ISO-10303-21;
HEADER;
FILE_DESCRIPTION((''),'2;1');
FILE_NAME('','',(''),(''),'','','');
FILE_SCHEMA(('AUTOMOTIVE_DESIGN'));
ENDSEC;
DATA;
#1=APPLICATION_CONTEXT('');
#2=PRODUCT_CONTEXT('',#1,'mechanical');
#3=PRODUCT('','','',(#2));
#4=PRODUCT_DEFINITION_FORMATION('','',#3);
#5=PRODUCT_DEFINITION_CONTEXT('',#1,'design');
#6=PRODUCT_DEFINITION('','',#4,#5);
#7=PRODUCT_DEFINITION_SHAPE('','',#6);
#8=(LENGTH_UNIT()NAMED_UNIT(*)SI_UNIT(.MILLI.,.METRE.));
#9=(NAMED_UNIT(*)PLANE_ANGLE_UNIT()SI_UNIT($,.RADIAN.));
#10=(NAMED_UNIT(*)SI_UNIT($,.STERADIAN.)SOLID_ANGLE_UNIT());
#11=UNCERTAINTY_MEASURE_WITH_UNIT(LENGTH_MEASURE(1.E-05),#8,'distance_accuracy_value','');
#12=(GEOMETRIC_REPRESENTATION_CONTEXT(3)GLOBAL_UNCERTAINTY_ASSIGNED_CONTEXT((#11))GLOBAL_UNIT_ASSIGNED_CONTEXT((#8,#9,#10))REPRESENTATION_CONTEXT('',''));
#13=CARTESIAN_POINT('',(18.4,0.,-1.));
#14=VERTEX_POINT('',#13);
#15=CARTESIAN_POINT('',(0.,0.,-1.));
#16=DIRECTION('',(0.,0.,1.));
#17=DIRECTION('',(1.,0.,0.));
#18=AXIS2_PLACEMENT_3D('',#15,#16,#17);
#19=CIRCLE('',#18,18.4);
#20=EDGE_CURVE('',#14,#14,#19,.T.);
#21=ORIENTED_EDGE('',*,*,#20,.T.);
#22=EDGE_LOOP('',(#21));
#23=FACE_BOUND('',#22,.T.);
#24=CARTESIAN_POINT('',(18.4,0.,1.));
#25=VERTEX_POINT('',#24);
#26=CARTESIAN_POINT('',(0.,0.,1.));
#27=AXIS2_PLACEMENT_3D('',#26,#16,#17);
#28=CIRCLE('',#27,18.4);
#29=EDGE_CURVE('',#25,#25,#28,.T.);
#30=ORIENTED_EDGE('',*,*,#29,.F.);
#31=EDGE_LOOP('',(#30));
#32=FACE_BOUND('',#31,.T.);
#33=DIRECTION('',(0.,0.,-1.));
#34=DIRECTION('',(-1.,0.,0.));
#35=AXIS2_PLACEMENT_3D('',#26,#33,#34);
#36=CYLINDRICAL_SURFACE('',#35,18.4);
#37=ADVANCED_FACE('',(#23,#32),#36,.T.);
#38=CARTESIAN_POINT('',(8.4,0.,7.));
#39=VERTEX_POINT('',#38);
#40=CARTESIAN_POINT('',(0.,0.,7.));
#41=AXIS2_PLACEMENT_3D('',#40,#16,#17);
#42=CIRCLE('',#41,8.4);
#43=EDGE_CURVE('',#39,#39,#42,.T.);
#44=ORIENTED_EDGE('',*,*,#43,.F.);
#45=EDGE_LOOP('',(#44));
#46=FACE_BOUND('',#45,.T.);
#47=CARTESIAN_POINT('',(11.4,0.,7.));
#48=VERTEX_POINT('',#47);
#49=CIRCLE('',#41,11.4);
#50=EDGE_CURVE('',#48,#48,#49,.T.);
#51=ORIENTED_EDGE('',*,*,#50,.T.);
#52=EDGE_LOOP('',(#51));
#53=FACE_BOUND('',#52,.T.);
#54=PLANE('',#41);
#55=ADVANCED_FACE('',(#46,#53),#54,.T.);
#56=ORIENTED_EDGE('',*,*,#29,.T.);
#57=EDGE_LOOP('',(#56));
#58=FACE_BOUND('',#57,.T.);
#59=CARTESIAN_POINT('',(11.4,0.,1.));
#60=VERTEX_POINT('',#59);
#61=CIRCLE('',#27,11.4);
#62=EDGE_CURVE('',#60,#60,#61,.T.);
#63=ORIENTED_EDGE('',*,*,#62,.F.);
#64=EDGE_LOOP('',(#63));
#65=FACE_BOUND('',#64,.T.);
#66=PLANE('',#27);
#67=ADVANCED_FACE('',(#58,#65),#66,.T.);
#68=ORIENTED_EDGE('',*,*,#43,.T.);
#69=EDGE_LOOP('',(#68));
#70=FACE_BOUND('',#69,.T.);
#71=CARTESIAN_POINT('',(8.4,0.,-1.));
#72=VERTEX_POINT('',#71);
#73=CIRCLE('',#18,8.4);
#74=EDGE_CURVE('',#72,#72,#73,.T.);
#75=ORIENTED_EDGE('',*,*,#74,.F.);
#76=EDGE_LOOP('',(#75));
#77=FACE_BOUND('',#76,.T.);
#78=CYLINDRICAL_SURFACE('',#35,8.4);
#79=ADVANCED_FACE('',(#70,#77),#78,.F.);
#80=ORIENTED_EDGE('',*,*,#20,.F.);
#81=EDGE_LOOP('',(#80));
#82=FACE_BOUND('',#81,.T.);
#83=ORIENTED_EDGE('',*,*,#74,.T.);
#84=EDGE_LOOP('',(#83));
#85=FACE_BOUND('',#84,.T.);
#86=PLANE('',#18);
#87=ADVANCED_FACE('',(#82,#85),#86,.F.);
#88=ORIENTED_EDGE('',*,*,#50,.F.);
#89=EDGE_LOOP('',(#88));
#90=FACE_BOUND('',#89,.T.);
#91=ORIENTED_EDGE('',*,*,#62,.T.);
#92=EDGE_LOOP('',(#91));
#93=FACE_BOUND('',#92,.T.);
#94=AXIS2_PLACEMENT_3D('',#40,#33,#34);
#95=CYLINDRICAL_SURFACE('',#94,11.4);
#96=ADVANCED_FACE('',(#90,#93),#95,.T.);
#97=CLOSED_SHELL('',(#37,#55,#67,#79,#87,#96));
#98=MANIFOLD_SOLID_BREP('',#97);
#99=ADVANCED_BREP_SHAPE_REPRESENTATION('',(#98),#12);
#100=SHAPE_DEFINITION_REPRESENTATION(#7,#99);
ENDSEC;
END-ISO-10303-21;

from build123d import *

# Parameters (mm, degrees)
CROQUIS1_R              = 18.4
CROQUIS1_R_2            = 8.4
SALIENTE_EXTRUIR1_DEPTH = 1
CROQUIS2_R              = 11.4
CROQUIS2_R_2            = 8.4
SALIENTE_EXTRUIR2_DEPTH = 6


with BuildPart() as part:
    # Croquis1 → Saliente-Extruir1 (new, symmetric)
    with BuildSketch(Plane.XY):
        Circle(CROQUIS1_R)
        Circle(CROQUIS1_R_2, mode=Mode.SUBTRACT)
    extrude(amount=SALIENTE_EXTRUIR1_DEPTH, both=True)

    # Croquis2 → Saliente-Extruir2 (add)
    with BuildSketch(Plane.XY.offset(1)):
        Circle(CROQUIS2_R)
        Circle(CROQUIS2_R_2, mode=Mode.SUBTRACT)
    extrude(amount=SALIENTE_EXTRUIR2_DEPTH)


solid = part.part
